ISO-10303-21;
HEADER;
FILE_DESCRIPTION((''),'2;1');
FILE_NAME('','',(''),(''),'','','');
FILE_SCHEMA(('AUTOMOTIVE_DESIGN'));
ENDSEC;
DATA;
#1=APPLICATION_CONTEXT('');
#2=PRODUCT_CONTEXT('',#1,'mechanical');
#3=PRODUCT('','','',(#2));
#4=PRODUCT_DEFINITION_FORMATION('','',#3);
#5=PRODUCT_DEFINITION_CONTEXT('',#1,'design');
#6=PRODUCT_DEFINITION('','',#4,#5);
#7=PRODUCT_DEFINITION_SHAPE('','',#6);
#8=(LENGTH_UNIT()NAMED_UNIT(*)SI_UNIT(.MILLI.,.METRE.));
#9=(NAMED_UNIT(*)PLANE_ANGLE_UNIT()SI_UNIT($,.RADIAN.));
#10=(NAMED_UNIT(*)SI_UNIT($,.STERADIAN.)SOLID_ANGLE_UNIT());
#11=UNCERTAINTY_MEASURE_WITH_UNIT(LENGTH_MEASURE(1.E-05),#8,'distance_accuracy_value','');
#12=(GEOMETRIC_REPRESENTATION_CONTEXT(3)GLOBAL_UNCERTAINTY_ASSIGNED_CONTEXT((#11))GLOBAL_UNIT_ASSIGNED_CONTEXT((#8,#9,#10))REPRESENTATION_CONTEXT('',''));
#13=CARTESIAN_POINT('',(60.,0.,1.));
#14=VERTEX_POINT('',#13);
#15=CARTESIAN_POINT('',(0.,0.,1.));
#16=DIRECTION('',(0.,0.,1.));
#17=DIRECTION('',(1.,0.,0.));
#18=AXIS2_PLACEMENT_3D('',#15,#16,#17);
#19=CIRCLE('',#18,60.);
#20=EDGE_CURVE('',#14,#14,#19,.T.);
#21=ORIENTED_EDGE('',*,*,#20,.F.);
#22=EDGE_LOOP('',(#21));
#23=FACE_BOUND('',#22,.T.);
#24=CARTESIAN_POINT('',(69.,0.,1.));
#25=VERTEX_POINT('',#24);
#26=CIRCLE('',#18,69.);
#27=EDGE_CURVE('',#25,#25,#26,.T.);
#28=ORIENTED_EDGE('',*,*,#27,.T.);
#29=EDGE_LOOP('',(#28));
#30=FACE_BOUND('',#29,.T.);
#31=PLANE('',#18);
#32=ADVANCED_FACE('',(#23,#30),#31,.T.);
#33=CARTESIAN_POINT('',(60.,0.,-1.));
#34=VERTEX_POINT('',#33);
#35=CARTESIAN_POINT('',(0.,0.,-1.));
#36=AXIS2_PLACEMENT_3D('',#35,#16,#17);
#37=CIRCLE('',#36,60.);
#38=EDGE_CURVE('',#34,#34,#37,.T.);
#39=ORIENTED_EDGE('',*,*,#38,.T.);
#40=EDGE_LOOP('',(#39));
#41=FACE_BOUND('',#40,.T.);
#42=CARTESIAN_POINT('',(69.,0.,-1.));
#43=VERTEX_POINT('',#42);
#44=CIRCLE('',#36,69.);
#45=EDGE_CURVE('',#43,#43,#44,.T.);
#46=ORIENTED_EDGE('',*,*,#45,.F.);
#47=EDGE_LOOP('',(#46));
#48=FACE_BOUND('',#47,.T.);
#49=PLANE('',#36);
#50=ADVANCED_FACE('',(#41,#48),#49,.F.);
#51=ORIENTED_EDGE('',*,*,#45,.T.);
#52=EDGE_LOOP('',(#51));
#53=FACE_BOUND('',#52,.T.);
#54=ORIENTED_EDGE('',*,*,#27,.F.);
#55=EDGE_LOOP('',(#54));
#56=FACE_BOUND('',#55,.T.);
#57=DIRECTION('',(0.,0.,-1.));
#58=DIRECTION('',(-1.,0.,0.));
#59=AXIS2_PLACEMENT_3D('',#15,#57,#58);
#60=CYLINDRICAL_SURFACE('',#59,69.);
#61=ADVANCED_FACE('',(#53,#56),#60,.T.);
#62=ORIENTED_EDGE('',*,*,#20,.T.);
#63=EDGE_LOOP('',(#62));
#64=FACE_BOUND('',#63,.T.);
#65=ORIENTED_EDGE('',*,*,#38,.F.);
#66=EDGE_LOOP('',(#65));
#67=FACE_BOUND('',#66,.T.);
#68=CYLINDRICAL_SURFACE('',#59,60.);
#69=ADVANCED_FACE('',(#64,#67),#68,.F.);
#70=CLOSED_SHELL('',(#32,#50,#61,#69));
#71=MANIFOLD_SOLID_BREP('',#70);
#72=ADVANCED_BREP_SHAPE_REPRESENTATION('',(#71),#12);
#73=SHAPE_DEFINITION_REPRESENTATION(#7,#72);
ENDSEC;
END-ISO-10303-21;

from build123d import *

# Parameters (mm, degrees)
SKETCH1_R           = 69
SKETCH1_R_2         = 60
BOSS_EXTRUDE1_DEPTH = 1


with BuildPart() as part:
    # Sketch1 → Boss-Extrude1 (new body, symmetric)
    with BuildSketch(Plane.XY):
        Circle(SKETCH1_R)
        Circle(SKETCH1_R_2, mode=Mode.SUBTRACT)
    extrude(amount=BOSS_EXTRUDE1_DEPTH, both=True)


solid = part.part
